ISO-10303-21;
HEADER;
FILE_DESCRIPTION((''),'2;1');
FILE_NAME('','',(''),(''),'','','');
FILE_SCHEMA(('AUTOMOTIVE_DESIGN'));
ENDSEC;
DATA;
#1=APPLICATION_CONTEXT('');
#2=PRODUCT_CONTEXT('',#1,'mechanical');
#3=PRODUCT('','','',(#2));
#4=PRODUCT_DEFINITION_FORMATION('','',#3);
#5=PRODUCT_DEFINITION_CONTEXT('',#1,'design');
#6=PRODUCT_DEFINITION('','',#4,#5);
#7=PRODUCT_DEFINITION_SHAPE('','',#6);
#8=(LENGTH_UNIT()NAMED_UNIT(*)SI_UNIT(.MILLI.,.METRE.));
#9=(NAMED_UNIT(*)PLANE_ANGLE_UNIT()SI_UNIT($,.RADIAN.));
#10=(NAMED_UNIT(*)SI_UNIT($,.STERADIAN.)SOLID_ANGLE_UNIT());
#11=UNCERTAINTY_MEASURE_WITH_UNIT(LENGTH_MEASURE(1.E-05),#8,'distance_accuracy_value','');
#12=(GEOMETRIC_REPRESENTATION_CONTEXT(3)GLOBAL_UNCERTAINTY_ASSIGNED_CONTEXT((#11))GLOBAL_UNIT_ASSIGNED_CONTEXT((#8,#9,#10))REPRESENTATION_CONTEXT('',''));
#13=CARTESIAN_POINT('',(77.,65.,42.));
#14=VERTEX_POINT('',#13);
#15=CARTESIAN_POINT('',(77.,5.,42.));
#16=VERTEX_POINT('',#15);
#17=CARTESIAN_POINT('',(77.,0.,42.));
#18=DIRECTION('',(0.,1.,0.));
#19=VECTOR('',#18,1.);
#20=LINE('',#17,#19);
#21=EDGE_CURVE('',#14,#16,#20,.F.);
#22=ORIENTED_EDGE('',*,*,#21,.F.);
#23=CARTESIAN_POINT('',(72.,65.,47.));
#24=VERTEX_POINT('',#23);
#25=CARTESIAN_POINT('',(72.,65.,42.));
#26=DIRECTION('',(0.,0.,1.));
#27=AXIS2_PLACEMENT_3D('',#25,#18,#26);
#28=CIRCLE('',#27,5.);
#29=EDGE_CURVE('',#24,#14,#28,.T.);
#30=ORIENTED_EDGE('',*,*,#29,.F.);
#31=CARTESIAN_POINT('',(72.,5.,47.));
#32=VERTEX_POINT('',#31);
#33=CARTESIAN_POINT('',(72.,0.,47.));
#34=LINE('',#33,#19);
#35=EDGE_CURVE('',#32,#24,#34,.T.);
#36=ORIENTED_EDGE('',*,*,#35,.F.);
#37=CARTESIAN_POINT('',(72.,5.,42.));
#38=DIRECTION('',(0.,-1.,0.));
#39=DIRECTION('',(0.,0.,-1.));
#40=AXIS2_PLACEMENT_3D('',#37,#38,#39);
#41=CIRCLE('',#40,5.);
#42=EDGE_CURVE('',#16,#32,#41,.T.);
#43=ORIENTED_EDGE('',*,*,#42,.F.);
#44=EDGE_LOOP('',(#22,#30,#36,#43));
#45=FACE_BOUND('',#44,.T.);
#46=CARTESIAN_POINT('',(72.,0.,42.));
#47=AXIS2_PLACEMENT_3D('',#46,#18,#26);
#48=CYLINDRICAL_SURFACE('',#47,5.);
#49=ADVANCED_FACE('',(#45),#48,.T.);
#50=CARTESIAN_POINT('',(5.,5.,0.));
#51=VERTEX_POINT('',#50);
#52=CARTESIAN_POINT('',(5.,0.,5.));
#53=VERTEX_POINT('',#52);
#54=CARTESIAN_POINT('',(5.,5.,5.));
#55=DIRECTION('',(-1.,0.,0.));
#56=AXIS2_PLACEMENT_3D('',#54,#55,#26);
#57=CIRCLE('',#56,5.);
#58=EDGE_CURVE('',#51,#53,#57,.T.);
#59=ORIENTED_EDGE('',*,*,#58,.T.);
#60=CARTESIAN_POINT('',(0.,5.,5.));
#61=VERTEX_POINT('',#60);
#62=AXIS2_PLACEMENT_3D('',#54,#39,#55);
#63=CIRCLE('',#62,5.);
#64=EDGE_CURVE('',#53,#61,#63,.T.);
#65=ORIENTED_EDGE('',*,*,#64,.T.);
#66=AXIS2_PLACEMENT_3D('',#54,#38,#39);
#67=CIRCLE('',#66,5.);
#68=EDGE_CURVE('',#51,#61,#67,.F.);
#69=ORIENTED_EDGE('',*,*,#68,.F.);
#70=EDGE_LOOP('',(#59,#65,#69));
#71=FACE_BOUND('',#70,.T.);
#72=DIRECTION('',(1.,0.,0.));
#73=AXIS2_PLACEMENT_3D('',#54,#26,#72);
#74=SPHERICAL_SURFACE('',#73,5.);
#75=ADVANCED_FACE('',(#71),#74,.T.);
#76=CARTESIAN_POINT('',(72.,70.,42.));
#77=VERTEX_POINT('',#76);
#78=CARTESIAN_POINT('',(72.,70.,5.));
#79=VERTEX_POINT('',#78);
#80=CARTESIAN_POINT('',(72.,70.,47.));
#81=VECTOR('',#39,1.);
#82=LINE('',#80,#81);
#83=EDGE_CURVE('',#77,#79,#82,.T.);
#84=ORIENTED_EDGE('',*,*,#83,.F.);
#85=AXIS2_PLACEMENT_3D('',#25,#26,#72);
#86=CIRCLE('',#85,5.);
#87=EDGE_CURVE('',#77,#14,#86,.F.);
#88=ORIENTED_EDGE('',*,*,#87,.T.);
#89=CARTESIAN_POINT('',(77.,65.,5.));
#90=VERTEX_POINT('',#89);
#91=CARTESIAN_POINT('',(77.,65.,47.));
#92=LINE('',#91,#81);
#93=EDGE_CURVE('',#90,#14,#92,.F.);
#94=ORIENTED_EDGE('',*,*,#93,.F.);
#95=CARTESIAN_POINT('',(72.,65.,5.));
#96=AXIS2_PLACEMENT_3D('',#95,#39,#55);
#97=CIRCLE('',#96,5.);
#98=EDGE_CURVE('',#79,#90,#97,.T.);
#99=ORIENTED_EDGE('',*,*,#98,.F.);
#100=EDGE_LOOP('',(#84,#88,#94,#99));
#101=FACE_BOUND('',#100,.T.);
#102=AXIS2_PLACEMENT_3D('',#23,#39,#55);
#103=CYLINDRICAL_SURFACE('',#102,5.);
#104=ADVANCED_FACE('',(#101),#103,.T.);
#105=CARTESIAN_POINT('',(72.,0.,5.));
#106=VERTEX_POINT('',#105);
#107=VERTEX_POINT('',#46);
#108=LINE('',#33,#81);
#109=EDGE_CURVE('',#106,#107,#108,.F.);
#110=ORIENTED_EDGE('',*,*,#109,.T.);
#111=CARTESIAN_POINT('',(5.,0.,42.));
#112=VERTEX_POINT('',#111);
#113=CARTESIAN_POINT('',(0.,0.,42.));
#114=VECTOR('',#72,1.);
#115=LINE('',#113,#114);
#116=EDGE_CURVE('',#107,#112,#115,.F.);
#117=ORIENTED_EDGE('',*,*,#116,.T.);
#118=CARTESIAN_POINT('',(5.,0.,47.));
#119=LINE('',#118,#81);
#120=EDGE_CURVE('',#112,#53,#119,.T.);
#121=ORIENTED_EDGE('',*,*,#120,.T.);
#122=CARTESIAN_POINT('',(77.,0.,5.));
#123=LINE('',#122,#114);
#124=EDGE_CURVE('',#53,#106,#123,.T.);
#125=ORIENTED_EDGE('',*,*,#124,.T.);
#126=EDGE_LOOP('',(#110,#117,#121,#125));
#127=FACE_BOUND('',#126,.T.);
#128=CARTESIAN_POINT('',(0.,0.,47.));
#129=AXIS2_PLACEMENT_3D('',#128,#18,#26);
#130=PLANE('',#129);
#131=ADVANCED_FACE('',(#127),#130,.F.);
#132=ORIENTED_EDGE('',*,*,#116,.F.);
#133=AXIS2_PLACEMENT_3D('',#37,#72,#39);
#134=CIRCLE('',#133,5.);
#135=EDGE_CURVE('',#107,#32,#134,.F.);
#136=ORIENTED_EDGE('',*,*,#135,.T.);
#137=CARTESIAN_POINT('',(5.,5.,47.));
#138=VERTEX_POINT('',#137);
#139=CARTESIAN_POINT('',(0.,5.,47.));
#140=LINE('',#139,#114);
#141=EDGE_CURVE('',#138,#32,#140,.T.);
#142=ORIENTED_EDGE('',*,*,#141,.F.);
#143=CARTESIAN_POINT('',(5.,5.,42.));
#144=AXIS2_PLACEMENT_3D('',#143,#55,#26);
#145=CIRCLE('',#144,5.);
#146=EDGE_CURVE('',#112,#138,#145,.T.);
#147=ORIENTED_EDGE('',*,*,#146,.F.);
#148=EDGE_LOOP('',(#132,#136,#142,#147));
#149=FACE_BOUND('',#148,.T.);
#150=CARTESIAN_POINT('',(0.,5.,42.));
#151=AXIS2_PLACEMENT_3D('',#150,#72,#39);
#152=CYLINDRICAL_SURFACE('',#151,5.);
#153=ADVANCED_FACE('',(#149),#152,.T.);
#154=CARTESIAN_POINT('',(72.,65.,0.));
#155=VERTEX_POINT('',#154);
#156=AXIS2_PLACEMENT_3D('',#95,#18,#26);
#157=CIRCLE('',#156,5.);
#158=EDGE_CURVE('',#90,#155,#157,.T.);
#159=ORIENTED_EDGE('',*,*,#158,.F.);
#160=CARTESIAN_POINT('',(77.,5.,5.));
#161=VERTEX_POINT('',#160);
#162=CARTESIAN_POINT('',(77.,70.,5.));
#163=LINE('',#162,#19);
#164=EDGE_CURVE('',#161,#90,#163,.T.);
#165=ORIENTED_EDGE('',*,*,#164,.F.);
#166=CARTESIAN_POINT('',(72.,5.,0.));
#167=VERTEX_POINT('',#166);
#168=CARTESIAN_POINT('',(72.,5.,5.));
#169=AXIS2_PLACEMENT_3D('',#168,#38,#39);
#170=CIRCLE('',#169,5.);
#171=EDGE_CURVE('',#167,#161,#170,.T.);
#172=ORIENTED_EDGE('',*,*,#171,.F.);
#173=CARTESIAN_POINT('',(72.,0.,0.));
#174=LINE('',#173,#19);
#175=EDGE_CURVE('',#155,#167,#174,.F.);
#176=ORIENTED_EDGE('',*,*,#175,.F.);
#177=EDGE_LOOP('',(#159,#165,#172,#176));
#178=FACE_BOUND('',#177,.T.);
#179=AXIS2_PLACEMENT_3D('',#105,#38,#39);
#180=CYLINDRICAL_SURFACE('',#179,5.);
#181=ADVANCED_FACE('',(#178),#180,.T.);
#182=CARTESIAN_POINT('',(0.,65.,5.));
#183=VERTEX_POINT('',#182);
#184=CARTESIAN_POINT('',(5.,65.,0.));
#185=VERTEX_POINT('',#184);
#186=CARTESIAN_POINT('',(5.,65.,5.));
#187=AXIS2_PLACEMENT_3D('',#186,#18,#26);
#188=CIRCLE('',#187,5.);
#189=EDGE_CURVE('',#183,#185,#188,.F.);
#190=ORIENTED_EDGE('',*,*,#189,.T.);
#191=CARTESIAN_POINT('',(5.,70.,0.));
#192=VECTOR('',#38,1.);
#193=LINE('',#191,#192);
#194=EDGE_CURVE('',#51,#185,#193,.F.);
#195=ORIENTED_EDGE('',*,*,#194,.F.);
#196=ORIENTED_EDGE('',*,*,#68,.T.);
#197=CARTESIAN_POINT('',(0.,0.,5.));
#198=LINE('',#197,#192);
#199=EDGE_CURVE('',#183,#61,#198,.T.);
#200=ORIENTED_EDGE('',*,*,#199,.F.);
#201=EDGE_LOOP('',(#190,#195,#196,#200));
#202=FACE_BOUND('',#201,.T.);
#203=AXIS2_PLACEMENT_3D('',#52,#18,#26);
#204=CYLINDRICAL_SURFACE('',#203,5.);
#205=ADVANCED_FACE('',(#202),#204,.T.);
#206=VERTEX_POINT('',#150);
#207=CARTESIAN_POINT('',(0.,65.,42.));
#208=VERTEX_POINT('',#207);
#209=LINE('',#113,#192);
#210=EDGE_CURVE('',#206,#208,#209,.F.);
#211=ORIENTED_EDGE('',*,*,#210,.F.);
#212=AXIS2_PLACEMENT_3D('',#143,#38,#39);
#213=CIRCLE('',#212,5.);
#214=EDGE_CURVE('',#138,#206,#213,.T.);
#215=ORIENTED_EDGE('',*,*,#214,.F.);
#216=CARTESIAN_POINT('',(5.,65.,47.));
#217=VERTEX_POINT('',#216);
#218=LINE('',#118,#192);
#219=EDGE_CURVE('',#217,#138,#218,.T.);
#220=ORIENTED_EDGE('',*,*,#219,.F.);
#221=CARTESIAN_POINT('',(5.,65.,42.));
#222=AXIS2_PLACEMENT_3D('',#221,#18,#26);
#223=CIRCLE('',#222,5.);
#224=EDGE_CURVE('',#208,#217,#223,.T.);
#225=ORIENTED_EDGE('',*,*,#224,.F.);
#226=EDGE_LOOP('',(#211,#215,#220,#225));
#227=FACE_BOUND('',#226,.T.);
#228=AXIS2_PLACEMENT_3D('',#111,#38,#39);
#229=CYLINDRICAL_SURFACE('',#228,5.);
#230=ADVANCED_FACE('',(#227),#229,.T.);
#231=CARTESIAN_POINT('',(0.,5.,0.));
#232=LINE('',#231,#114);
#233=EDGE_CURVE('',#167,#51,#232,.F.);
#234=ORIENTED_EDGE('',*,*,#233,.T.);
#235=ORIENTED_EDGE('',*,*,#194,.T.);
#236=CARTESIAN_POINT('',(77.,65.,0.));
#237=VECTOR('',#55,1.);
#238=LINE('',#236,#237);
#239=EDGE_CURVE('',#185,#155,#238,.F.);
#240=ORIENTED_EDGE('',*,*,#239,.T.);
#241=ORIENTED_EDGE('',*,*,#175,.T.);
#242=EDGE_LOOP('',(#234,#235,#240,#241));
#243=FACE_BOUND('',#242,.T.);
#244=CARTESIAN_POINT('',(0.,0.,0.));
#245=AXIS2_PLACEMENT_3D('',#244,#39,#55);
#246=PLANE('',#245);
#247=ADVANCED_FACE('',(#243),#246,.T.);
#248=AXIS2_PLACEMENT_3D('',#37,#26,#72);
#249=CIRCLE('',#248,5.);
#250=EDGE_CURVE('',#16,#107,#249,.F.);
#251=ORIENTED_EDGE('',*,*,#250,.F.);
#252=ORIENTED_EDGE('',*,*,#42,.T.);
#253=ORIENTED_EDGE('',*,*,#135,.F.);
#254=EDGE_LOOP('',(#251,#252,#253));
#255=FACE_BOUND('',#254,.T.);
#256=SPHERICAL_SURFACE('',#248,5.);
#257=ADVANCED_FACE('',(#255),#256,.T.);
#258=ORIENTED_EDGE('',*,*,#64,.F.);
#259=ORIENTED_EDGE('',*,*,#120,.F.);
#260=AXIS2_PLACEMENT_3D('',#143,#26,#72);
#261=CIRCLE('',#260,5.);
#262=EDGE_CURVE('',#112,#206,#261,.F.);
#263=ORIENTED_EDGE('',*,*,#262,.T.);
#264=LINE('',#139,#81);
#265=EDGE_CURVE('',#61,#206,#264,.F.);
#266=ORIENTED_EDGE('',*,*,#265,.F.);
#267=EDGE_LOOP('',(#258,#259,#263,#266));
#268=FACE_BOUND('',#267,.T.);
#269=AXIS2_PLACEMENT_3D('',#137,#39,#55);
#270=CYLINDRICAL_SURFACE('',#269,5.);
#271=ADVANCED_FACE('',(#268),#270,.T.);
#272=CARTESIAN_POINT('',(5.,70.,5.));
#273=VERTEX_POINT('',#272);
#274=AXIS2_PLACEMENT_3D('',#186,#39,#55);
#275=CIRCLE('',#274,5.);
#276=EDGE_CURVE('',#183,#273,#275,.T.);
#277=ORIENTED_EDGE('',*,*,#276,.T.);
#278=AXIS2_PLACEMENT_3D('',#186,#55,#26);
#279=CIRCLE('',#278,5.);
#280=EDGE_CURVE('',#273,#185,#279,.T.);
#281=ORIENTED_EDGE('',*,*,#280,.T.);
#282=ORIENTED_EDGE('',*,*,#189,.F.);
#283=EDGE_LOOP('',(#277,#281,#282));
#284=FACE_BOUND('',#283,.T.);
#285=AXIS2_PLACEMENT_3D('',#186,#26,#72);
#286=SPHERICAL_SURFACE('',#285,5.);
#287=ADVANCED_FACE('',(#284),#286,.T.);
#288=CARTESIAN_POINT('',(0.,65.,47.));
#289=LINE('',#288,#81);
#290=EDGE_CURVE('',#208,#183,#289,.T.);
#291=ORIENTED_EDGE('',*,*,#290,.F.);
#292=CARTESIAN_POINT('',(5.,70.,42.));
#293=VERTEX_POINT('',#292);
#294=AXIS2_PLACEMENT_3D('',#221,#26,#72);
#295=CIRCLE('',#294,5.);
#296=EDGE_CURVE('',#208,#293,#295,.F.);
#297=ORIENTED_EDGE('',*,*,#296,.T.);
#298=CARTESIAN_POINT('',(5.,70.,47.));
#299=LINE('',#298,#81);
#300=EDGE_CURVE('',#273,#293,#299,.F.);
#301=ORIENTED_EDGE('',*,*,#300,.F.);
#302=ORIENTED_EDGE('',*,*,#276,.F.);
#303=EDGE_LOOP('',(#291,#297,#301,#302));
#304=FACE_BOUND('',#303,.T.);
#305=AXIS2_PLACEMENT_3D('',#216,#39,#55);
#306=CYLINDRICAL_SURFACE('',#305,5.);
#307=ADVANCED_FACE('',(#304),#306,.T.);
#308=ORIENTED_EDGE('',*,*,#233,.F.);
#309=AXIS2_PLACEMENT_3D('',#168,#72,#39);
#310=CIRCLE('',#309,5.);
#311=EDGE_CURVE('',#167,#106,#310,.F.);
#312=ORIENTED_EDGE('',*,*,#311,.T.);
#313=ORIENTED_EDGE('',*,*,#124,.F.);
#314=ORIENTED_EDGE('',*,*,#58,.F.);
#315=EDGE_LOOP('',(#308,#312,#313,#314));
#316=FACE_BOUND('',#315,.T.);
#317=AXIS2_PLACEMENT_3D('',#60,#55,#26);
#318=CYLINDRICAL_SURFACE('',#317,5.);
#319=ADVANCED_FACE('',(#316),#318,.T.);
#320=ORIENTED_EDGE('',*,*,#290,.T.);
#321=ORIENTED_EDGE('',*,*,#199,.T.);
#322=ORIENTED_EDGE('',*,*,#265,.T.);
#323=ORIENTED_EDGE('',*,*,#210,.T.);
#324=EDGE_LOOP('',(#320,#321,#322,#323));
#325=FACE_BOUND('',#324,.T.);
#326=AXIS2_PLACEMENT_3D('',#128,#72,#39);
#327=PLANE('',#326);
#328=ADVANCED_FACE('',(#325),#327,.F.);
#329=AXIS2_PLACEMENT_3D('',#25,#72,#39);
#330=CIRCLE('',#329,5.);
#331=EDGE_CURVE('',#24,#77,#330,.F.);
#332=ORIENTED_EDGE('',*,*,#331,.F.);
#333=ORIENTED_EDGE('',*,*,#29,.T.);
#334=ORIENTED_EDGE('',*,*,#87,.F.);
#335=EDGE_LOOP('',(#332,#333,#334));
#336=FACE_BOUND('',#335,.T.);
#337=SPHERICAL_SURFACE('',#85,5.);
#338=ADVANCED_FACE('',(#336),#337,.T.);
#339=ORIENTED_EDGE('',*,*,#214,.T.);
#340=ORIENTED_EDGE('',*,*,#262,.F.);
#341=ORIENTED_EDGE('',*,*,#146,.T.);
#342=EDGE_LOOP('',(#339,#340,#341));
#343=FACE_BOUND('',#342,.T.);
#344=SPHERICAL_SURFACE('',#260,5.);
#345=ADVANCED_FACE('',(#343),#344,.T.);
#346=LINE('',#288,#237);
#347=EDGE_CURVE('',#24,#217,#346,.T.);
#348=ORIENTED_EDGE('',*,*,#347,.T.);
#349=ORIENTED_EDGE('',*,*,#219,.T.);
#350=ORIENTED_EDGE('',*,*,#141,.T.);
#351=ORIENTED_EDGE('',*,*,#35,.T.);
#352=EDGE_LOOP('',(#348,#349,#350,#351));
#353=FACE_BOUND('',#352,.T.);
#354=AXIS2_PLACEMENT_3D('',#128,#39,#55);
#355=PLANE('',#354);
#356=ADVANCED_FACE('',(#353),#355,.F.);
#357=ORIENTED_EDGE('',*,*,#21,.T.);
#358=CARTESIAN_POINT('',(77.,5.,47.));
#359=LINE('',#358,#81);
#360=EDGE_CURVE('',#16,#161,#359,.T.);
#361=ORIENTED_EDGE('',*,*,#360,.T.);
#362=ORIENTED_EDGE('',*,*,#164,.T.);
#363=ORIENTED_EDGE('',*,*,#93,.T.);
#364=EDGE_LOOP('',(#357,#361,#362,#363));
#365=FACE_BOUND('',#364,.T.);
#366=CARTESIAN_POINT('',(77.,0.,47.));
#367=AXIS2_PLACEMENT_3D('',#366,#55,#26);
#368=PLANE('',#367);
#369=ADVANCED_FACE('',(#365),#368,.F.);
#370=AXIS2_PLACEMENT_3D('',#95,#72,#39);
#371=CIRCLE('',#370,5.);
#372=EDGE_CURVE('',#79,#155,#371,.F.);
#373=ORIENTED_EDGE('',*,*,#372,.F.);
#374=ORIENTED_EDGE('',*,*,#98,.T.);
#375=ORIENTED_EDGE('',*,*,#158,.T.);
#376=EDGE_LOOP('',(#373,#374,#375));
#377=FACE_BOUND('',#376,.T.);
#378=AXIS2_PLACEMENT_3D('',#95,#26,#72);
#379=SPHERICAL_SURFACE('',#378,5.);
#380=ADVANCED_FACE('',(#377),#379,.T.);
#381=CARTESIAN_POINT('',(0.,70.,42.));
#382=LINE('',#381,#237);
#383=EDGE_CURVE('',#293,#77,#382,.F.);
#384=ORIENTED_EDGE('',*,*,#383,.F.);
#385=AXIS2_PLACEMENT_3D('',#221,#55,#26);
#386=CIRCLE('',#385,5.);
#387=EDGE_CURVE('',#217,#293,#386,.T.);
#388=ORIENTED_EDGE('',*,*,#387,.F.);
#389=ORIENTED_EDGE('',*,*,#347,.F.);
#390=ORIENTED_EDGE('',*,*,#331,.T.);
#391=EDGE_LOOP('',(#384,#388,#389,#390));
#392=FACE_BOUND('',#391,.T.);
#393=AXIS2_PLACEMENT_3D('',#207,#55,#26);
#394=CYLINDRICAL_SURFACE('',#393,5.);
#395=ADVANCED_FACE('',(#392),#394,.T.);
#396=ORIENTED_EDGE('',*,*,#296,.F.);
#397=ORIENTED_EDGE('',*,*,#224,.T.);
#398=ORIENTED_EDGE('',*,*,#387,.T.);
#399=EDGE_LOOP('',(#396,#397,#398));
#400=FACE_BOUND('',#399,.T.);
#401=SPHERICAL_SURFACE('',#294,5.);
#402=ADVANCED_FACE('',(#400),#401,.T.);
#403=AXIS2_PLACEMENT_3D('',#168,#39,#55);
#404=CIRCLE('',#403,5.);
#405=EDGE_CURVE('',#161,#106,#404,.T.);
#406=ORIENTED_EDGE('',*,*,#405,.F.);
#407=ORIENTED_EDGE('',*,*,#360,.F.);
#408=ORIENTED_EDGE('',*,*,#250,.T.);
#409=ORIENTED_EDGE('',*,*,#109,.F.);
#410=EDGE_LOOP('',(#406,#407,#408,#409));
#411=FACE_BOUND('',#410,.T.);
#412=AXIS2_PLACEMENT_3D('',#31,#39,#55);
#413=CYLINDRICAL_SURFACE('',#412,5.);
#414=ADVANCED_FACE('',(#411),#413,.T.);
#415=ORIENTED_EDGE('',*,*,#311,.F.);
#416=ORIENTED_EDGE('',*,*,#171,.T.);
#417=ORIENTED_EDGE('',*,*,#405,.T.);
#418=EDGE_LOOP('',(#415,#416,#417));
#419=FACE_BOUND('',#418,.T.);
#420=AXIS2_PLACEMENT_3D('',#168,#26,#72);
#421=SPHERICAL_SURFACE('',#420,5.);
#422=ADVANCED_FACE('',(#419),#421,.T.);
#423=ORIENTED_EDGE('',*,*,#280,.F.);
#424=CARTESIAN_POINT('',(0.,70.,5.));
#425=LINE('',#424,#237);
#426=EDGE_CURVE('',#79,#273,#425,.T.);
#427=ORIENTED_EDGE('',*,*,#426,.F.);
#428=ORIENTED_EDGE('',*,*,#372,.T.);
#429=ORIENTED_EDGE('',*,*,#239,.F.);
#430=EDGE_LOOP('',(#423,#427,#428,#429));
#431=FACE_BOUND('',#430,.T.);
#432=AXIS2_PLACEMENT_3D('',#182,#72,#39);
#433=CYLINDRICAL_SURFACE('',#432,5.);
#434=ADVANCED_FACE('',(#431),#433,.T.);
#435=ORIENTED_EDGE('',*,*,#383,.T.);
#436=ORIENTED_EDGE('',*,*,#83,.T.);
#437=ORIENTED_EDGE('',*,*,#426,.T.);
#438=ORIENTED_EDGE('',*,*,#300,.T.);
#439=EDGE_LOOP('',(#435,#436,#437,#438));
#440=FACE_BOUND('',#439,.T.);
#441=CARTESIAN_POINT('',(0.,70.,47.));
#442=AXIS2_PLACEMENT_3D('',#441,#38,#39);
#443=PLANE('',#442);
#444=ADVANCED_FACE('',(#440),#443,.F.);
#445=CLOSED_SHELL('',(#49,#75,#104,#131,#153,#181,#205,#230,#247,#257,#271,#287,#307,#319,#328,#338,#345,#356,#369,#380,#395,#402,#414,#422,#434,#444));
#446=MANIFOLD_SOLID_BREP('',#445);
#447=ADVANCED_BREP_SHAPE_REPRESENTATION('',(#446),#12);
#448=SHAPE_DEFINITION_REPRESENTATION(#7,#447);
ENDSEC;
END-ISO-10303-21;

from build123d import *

# Parameters (mm, degrees)
CROQUIS1_W              = 77
CROQUIS1_H              = 70
SALIENTE_EXTRUIR1_DEPTH = 47
REDONDEO1_R             = 5


with BuildPart() as part:
    # Croquis1 → Saliente-Extruir1 (new body)
    with BuildSketch(Plane.XY):
        with Locations((38.5, 35)):
            Rectangle(CROQUIS1_W, CROQUIS1_H)
    extrude(amount=SALIENTE_EXTRUIR1_DEPTH)

    # Redondeo1
    redondeo1_edges = [part.edges().sort_by_distance(p)[0] for p in [
        (77, 35, 47),
        (38.5, 70, 47),
        (0, 35, 47),
        (38.5, 70, 0),
        (77, 35, 0),
        (38.5, 0, 0),
        (0, 35, 0),
        (38.5, 0, 47),
        (0, 70, 23.5),
        (77, 70, 23.5),
        (77, 0, 23.5),
        (0, 0, 23.5),
    ]]
    fillet(redondeo1_edges, radius=REDONDEO1_R)


solid = part.part
